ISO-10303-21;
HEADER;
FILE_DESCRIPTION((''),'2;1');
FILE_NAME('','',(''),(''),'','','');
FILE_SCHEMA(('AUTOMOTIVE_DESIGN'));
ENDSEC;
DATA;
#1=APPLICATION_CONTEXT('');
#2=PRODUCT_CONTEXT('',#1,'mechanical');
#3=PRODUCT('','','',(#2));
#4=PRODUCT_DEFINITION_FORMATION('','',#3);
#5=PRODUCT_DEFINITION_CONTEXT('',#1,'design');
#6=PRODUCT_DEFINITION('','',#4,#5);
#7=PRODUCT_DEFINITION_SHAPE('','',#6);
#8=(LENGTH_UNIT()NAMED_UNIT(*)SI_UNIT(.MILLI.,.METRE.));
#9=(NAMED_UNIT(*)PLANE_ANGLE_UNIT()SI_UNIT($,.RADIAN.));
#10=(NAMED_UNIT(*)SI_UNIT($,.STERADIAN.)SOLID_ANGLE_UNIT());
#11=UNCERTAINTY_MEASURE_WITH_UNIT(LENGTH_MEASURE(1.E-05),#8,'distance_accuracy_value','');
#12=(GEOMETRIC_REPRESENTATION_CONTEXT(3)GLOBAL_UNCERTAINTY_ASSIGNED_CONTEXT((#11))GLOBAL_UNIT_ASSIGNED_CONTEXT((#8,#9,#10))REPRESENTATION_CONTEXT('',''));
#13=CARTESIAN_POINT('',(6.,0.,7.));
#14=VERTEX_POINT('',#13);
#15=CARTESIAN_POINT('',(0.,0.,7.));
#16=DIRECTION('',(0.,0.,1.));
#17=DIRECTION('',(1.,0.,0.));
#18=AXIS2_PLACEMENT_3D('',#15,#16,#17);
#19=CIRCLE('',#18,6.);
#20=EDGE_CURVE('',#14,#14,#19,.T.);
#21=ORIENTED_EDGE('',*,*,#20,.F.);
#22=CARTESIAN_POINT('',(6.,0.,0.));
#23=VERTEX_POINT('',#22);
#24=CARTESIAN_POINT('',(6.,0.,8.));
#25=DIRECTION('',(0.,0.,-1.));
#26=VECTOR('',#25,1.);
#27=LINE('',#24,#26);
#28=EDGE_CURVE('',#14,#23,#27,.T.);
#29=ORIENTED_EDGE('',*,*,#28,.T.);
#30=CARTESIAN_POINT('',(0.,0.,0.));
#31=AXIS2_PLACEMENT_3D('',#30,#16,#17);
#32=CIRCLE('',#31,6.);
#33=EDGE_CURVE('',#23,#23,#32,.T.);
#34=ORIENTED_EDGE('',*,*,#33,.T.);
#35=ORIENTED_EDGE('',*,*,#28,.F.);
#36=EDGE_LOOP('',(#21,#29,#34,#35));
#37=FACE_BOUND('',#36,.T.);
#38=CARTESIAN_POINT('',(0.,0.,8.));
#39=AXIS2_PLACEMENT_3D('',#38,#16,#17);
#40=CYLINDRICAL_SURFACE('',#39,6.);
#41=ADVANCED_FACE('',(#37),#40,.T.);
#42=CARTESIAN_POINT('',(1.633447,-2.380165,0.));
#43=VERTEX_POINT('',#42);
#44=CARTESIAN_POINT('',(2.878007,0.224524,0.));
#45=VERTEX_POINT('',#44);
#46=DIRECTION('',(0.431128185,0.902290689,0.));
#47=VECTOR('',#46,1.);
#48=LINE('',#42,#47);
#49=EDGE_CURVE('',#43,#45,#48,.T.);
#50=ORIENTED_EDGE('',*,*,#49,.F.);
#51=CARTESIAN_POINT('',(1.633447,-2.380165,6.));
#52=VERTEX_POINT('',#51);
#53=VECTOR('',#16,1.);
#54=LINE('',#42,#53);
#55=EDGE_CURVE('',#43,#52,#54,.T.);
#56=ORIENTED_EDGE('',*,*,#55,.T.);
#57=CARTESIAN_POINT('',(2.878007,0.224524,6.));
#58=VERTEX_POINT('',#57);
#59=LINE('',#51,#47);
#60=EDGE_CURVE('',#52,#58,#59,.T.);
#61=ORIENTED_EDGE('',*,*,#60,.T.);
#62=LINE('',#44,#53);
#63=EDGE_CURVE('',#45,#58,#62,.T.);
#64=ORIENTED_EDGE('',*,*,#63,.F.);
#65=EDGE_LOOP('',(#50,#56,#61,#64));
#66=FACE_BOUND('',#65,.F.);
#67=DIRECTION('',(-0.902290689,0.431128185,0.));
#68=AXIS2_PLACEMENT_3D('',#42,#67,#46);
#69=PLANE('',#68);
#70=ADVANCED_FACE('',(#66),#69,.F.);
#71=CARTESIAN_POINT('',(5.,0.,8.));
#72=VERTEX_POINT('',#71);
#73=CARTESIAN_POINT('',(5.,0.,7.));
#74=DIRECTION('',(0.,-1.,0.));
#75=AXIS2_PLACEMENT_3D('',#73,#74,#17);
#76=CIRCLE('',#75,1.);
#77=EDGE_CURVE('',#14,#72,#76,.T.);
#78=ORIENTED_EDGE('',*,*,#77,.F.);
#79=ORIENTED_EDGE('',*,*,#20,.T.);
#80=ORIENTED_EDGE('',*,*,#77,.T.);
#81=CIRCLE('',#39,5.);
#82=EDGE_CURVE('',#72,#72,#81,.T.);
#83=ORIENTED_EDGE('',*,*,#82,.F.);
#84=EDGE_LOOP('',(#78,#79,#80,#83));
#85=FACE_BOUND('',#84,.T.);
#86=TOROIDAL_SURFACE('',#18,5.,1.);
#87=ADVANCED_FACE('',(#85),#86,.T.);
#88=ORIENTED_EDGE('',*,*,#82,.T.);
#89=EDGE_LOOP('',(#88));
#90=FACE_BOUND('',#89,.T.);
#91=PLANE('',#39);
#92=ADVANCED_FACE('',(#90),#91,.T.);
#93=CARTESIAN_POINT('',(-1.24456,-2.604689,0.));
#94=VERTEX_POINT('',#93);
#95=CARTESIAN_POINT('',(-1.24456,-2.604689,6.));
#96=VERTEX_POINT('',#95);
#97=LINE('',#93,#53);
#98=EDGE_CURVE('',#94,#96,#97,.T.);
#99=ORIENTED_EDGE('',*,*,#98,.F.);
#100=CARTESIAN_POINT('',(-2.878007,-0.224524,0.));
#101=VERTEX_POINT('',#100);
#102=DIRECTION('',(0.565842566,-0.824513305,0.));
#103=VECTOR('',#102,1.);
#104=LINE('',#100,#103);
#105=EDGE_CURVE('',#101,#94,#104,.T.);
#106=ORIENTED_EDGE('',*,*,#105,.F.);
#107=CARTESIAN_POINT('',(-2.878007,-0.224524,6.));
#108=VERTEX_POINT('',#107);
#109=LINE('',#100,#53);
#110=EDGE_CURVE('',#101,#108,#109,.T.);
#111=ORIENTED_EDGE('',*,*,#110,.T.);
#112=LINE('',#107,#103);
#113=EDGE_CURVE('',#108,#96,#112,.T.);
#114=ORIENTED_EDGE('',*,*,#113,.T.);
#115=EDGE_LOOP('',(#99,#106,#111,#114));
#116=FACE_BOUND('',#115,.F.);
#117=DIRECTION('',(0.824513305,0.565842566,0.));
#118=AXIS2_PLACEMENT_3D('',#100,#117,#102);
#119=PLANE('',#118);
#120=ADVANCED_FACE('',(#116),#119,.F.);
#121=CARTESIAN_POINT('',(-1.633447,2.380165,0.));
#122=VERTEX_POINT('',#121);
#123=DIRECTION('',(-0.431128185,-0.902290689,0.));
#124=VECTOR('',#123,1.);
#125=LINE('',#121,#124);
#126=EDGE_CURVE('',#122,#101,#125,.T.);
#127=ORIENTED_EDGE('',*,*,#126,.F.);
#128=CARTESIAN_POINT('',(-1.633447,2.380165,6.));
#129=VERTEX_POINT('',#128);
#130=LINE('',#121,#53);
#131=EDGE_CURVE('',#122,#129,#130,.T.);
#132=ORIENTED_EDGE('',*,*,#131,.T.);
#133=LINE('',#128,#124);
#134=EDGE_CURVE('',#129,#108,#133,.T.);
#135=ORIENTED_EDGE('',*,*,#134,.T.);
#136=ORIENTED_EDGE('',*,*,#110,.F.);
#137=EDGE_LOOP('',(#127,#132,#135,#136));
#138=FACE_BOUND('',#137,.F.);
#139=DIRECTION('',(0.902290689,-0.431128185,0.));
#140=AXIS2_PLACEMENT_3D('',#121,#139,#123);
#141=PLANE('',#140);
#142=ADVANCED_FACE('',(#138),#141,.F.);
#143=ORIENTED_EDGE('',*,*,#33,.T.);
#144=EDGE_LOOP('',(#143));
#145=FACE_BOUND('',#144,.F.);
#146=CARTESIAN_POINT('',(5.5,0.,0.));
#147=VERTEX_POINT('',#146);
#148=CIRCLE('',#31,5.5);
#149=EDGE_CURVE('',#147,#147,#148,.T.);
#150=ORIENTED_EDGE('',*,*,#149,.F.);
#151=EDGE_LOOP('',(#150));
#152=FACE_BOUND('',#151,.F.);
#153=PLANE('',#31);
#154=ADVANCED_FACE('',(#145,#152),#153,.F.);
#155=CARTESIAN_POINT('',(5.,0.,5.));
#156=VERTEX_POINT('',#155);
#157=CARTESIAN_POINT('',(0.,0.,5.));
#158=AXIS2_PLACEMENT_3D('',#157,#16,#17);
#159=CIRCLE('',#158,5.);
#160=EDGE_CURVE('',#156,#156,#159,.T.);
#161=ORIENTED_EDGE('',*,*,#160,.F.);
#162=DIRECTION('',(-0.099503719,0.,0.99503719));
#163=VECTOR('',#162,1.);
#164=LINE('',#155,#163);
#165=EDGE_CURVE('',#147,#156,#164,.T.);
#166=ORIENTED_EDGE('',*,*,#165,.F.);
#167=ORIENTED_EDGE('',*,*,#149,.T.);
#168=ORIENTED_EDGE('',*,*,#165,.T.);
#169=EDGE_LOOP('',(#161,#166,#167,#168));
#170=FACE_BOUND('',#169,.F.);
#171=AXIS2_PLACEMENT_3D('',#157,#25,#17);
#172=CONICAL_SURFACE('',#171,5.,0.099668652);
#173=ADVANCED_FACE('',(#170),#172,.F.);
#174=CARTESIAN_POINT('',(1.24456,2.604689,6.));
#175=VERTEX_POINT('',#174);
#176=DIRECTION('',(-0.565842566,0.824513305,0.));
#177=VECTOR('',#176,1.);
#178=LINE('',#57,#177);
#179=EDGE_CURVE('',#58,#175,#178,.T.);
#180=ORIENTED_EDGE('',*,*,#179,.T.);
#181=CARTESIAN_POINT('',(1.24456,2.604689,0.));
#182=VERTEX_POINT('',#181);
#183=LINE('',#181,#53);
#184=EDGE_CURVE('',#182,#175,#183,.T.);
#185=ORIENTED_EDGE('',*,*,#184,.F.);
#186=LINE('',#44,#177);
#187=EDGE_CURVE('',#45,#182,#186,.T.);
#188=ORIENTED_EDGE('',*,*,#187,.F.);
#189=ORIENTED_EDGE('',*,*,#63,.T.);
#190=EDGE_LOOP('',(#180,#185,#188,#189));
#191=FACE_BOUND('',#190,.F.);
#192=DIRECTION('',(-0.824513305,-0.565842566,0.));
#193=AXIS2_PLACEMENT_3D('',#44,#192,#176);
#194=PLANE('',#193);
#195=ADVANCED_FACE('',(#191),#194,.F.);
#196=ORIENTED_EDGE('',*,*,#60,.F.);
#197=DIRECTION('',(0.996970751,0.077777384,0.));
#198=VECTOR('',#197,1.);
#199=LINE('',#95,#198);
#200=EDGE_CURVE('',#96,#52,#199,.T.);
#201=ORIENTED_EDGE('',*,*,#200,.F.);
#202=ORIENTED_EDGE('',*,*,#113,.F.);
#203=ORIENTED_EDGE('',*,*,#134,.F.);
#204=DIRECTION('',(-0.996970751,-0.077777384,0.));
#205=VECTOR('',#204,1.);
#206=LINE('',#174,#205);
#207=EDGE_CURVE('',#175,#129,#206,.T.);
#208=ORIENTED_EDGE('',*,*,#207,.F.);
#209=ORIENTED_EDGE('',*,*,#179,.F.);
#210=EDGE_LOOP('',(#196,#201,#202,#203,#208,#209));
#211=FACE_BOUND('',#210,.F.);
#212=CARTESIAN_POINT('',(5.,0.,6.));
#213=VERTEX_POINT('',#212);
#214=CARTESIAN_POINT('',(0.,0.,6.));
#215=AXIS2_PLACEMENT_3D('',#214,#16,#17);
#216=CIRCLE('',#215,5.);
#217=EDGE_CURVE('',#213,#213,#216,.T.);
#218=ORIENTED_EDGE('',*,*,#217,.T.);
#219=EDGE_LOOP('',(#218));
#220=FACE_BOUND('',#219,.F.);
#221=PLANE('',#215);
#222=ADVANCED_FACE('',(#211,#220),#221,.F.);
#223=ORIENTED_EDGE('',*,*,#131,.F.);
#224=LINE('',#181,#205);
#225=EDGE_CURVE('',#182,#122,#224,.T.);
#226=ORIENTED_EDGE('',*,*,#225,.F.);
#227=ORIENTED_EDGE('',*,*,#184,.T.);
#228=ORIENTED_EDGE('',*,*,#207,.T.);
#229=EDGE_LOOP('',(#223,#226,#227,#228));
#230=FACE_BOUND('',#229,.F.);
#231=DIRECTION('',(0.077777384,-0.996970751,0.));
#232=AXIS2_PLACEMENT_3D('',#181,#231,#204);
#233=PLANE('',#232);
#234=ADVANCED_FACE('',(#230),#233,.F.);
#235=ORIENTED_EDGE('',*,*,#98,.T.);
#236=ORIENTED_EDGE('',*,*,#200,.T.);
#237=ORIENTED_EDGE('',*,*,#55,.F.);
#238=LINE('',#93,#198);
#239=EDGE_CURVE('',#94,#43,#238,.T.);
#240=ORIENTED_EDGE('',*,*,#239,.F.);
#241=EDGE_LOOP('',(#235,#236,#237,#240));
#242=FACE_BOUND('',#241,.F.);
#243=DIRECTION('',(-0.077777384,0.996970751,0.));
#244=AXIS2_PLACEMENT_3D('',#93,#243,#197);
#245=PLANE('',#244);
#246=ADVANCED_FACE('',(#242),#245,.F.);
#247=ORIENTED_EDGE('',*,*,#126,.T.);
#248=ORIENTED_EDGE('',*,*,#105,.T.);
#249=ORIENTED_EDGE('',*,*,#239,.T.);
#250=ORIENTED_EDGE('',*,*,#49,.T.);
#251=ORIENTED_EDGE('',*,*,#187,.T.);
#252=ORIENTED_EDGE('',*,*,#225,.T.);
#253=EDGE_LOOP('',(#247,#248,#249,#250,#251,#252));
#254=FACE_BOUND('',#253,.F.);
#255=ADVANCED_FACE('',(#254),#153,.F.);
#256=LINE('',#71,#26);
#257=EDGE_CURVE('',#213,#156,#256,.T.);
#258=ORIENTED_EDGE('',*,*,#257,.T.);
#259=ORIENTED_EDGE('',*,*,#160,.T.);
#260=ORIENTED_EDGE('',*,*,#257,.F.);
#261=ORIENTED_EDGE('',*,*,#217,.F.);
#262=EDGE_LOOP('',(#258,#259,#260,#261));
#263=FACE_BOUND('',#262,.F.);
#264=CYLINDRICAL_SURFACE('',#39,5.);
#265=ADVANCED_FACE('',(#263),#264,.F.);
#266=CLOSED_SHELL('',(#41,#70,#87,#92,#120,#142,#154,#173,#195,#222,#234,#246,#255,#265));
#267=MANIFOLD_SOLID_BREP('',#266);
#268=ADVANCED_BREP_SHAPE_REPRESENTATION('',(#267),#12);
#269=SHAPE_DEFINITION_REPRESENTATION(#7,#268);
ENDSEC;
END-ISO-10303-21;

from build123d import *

# Parameters (mm, degrees)
F1_DEPTH = 6
F2_R     = 5
F3_DEPTH = 2
F4_R     = 6
F4_R_2   = 5
F5_DEPTH = 8
F6_R     = 1
F7_SIZE2 = 5
F7_SIZE  = 0.5


with BuildPart() as f1:
    # F0 (on Top) → F1 (new body)
    with BuildSketch(Plane.XY):
        Polygon((1.6334467892, -2.3801648935), (2.8780066576, 0.2245239684), (1.2445598684, 2.6046888619), (-1.6334467892, 2.3801648935), (-2.8780066576, -0.2245239684), (-1.2445598684, -2.6046888619), align=None)
    extrude(amount=F1_DEPTH)

    # F2 (on face) → F3 (join)
    with BuildSketch(Plane.XY.offset(6)):
        Circle(F2_R)
        Polygon((-1.2445598684, -2.6046888619), (-2.8780066576, -0.2245239684), (-1.6334467892, 2.3801648935), (1.2445598684, 2.6046888619), (2.8780066576, 0.2245239684), (1.6334467892, -2.3801648935), align=None, mode=Mode.SUBTRACT)
        Polygon((-1.6334467892, 2.3801648935), (-2.8780066576, -0.2245239684), (-1.2445598684, -2.6046888619), (1.6334467892, -2.3801648935), (2.8780066576, 0.2245239684), (1.2445598684, 2.6046888619), align=None)
    extrude(amount=F3_DEPTH)

    # F4 (on face) → F5 (join)
    with BuildSketch(Plane.XY.offset(8)):
        Circle(F4_R)
        Circle(F4_R_2, mode=Mode.SUBTRACT)
    extrude(amount=-F5_DEPTH)

    # F6
    f6_edges = [f1.edges().sort_by_distance(p)[0] for p in [
        (-6, 0, 8),
    ]]
    fillet(f6_edges, radius=F6_R)

    # F7
    f7_edges = [f1.edges().sort_by_distance(p)[0] for p in [
        (-5, 0, 0),
    ]]
    f7_side = f1.faces().sort_by_distance((-5.830294, 0, 0))[0]
    chamfer(f7_edges, length=F7_SIZE, length2=F7_SIZE2, reference=f7_side)


solid = f1.part
